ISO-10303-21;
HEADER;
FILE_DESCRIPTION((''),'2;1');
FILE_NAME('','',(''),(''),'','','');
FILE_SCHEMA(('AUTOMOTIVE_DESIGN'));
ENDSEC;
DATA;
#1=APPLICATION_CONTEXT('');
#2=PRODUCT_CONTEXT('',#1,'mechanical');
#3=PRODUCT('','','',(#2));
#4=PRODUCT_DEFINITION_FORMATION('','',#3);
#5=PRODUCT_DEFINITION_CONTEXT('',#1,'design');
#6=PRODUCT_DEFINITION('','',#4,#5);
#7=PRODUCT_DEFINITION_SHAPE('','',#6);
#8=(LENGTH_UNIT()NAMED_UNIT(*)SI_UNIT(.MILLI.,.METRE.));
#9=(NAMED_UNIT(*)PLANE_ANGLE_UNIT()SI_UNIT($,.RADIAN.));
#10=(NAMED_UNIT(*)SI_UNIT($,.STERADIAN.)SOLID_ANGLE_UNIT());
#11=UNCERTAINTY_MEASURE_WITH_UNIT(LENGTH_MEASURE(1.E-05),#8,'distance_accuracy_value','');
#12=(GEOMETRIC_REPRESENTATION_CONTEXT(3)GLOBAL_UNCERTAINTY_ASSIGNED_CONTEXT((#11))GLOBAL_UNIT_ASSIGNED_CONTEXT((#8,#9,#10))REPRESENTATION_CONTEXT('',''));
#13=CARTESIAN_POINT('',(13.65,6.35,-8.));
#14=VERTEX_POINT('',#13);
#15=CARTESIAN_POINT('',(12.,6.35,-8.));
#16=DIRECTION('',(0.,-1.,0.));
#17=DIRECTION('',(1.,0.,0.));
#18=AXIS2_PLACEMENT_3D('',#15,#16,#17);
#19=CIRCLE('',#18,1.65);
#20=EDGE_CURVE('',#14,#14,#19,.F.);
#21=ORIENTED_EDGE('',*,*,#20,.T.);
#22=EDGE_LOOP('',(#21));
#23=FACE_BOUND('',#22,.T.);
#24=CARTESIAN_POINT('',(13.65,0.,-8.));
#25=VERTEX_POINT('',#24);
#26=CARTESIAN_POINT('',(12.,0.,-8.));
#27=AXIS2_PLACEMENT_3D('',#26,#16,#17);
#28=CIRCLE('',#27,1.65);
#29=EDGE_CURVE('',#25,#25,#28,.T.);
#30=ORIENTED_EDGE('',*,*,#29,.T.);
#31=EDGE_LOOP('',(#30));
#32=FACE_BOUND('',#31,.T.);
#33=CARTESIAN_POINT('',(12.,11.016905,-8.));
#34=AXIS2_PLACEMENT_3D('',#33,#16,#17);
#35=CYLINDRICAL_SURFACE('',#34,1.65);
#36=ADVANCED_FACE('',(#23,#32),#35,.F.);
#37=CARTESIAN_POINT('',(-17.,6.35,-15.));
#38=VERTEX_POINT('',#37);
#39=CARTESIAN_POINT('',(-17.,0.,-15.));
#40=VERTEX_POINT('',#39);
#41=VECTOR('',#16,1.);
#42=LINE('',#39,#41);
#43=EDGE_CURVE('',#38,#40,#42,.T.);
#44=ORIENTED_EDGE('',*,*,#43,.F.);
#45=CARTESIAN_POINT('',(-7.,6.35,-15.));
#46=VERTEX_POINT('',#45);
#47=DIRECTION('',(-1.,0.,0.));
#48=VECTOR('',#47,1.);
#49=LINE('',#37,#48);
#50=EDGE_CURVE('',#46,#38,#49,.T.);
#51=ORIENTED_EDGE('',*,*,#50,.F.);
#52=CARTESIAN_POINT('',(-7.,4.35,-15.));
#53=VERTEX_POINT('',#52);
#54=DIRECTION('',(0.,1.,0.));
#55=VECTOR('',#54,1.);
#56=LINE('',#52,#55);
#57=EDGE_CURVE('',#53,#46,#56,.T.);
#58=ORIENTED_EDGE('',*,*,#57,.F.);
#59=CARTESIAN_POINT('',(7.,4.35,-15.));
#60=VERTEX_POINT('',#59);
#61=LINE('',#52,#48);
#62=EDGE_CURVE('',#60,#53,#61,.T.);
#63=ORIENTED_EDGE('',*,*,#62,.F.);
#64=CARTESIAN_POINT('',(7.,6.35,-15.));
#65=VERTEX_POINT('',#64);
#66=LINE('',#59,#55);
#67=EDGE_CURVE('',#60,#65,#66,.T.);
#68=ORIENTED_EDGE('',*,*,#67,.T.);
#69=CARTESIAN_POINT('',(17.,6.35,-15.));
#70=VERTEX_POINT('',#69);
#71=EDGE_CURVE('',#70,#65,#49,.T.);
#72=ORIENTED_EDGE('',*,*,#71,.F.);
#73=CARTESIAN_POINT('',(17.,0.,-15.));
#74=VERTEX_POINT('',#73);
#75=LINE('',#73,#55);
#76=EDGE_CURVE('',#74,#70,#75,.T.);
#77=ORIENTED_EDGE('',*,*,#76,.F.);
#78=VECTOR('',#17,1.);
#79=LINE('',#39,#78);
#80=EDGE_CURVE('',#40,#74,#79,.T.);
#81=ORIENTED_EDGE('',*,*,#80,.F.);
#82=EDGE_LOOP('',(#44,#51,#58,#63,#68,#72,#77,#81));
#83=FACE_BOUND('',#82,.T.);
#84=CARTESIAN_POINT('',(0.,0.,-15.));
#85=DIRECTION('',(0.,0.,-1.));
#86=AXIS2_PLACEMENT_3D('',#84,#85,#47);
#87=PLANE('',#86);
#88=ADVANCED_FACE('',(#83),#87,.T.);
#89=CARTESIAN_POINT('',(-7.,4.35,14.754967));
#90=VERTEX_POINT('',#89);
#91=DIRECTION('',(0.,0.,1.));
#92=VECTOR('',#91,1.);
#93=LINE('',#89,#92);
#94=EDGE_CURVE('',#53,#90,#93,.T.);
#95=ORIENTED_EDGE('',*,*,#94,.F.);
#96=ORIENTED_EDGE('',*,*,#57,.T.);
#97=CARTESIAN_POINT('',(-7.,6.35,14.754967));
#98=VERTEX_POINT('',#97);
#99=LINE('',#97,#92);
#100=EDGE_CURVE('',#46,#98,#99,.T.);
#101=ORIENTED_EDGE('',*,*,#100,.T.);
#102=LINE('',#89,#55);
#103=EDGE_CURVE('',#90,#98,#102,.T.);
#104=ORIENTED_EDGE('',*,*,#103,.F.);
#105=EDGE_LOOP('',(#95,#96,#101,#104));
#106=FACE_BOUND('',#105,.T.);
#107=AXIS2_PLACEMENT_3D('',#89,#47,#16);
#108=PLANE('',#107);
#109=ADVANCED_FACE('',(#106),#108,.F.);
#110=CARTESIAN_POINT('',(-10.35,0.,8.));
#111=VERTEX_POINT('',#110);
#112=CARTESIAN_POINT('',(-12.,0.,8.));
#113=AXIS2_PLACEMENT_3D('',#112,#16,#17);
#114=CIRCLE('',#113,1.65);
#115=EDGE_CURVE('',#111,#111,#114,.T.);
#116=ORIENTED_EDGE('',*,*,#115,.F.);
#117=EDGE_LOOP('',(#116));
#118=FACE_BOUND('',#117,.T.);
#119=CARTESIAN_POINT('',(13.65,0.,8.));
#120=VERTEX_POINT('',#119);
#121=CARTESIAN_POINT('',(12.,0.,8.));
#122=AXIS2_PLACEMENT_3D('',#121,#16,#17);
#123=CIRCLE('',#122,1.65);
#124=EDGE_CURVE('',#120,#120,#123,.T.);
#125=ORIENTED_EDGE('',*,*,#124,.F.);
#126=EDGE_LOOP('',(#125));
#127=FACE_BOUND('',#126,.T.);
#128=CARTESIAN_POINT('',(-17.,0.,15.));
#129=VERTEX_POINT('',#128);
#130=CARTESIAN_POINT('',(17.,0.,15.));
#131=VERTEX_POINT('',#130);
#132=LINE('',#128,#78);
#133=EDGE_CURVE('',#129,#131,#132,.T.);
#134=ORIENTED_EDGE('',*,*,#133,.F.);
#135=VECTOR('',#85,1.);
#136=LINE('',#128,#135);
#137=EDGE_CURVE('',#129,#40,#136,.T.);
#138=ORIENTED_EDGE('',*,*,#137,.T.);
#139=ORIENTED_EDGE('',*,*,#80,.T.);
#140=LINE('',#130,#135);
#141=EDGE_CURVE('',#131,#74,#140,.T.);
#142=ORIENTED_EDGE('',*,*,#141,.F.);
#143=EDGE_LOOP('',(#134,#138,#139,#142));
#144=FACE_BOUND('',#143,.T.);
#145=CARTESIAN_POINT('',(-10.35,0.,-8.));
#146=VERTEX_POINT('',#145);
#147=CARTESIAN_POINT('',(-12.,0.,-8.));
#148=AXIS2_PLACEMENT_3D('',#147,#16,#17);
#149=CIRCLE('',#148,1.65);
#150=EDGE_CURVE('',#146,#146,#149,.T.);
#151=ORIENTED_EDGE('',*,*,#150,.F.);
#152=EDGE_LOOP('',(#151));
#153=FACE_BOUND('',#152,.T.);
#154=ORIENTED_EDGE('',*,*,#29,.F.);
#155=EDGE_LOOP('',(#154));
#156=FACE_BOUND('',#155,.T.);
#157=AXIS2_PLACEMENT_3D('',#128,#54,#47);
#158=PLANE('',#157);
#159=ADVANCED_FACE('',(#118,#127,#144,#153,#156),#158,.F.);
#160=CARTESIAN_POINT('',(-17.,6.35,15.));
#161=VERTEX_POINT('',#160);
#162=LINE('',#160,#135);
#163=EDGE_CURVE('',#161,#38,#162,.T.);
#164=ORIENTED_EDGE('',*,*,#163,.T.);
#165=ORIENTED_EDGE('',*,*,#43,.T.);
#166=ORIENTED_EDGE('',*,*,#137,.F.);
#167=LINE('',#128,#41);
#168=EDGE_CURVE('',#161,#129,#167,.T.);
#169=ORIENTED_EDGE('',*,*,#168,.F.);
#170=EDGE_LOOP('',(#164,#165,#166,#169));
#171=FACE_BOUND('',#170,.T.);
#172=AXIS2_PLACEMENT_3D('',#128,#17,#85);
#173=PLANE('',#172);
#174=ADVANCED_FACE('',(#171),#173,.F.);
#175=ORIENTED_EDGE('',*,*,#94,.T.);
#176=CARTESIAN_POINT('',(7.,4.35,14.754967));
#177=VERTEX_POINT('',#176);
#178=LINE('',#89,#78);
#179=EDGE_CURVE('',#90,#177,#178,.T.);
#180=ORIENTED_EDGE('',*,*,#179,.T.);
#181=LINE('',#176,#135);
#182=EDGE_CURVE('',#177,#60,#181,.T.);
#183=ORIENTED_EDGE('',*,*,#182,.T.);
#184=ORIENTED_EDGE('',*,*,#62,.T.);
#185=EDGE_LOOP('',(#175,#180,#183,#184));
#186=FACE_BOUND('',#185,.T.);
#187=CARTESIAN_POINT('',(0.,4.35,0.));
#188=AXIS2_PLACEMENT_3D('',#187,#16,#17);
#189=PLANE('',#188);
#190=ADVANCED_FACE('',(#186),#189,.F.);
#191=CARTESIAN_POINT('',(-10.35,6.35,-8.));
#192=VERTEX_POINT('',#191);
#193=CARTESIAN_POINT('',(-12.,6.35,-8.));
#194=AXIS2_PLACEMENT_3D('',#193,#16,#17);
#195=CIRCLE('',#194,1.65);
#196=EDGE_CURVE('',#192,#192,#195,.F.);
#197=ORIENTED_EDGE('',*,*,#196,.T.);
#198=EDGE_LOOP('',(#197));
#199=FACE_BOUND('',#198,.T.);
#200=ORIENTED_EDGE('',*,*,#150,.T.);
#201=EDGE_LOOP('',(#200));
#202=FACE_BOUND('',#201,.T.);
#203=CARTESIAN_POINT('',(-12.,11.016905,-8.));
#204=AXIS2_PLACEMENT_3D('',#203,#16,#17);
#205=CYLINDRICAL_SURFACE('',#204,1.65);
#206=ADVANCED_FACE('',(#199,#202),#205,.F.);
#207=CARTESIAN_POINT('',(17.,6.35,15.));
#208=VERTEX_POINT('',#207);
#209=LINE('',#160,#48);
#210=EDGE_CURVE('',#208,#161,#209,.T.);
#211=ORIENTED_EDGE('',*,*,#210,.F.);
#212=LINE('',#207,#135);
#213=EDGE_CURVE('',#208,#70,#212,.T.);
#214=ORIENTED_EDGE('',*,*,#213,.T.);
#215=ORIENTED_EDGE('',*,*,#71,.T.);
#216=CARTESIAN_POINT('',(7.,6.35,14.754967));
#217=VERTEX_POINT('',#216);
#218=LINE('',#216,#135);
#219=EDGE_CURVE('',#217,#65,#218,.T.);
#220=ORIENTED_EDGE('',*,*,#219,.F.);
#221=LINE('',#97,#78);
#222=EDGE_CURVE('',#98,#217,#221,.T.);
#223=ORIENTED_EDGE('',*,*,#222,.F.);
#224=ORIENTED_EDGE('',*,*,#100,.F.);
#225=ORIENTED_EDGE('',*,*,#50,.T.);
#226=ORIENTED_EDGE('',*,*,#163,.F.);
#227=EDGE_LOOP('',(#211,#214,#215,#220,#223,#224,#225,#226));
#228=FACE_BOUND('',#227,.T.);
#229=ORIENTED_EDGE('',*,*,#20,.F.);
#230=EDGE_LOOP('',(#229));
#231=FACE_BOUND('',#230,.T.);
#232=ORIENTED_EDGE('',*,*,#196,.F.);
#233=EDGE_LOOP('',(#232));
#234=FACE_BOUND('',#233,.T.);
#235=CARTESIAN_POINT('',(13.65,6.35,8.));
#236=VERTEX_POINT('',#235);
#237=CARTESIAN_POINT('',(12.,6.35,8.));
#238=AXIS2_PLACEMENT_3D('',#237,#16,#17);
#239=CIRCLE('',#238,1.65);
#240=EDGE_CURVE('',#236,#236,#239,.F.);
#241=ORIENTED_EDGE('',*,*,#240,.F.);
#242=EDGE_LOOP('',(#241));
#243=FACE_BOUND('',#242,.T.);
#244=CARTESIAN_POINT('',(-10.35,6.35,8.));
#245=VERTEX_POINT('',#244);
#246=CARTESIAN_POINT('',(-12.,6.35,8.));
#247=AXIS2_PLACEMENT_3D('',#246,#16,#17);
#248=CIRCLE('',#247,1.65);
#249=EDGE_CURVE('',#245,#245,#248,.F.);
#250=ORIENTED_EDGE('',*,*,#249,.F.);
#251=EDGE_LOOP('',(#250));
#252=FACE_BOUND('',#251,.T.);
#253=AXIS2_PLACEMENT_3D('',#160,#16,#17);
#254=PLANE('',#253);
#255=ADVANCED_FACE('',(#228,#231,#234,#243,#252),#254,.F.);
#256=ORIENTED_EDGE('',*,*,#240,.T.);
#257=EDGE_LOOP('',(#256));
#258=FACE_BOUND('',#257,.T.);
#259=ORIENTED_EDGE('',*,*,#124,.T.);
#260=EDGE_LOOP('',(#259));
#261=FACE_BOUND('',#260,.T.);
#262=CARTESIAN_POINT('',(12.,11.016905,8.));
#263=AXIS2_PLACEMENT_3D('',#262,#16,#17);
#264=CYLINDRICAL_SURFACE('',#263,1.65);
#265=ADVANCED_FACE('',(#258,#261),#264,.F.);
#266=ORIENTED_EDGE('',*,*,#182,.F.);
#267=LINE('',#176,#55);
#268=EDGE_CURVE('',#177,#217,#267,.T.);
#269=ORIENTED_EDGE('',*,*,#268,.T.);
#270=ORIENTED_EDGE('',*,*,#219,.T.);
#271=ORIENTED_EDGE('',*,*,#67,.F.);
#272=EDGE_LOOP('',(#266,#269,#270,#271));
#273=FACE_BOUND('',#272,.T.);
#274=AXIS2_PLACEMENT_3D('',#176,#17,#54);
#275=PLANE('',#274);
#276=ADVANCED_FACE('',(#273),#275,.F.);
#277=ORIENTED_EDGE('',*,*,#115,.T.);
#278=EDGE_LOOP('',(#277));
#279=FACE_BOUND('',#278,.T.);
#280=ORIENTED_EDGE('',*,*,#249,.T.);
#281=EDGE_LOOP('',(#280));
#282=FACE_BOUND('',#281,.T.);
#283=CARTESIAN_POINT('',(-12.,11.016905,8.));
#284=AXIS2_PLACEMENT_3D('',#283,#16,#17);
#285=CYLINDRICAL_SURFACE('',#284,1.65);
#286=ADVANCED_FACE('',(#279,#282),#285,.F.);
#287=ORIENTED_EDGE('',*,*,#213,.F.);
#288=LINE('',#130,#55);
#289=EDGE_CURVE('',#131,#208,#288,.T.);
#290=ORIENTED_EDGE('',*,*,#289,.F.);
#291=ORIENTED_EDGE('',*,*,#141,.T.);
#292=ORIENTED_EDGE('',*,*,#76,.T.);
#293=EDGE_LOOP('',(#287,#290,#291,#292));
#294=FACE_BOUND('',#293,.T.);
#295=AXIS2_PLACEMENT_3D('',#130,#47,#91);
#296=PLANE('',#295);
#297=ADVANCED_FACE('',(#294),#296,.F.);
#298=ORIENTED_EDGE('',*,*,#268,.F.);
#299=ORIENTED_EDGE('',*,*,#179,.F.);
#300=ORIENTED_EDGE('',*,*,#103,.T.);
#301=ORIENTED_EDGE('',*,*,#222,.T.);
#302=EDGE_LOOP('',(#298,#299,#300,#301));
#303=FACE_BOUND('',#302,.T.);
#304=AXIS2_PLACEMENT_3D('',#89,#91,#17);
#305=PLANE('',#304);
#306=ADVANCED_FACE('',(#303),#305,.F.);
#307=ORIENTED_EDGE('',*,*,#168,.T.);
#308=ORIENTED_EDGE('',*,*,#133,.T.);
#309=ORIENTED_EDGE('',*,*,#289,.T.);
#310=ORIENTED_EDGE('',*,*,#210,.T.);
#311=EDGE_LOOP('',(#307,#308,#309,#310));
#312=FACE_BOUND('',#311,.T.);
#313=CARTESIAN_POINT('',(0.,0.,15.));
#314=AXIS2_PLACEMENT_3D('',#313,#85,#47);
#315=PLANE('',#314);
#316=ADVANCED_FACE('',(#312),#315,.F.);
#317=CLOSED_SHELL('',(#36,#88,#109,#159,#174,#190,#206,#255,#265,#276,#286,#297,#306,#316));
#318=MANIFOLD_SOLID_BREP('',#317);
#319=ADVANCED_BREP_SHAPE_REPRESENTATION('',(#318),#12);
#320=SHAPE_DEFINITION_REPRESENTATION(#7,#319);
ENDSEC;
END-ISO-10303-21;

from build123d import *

# Parameters (mm, degrees)
SKETCH1_W           = 34
SKETCH1_H           = 6.35
BOSS_EXTRUDE2_DEPTH = 15
SKETCH3_R           = 1.65
CUT_EXTRUDE1_DEPTH  = 6.35
SKETCH4_W           = 14
SKETCH4_H           = 29.754966952
CUT_EXTRUDE2_DEPTH  = 2


with BuildPart() as part:
    # Sketch1 → Boss-Extrude2 (new body, symmetric)
    with BuildSketch(Plane.XY):
        with Locations((0, 3.175)):
            Rectangle(SKETCH1_W, SKETCH1_H)
    extrude(amount=BOSS_EXTRUDE2_DEPTH, both=True)

    # Sketch3 → Cut-Extrude1 (cut)
    with BuildSketch(Plane.XZ):
        with Locations((-12, 8)):
            Circle(SKETCH3_R)
        with Locations((12, 8)):
            Circle(SKETCH3_R)
        with Locations((-12, -8)):
            Circle(SKETCH3_R)
        with Locations((12, -8)):
            Circle(SKETCH3_R)
    extrude(amount=-CUT_EXTRUDE1_DEPTH, mode=Mode.SUBTRACT)

    # Sketch4 → Cut-Extrude2 (cut)
    with BuildSketch(Plane(origin=(0, 6.35, 0), x_dir=(1, 0, 0), z_dir=(0, 1, 0))):
        with Locations((0, 0.122516524)):
            Rectangle(SKETCH4_W, SKETCH4_H)
    extrude(amount=-CUT_EXTRUDE2_DEPTH, mode=Mode.SUBTRACT)


solid = part.part
